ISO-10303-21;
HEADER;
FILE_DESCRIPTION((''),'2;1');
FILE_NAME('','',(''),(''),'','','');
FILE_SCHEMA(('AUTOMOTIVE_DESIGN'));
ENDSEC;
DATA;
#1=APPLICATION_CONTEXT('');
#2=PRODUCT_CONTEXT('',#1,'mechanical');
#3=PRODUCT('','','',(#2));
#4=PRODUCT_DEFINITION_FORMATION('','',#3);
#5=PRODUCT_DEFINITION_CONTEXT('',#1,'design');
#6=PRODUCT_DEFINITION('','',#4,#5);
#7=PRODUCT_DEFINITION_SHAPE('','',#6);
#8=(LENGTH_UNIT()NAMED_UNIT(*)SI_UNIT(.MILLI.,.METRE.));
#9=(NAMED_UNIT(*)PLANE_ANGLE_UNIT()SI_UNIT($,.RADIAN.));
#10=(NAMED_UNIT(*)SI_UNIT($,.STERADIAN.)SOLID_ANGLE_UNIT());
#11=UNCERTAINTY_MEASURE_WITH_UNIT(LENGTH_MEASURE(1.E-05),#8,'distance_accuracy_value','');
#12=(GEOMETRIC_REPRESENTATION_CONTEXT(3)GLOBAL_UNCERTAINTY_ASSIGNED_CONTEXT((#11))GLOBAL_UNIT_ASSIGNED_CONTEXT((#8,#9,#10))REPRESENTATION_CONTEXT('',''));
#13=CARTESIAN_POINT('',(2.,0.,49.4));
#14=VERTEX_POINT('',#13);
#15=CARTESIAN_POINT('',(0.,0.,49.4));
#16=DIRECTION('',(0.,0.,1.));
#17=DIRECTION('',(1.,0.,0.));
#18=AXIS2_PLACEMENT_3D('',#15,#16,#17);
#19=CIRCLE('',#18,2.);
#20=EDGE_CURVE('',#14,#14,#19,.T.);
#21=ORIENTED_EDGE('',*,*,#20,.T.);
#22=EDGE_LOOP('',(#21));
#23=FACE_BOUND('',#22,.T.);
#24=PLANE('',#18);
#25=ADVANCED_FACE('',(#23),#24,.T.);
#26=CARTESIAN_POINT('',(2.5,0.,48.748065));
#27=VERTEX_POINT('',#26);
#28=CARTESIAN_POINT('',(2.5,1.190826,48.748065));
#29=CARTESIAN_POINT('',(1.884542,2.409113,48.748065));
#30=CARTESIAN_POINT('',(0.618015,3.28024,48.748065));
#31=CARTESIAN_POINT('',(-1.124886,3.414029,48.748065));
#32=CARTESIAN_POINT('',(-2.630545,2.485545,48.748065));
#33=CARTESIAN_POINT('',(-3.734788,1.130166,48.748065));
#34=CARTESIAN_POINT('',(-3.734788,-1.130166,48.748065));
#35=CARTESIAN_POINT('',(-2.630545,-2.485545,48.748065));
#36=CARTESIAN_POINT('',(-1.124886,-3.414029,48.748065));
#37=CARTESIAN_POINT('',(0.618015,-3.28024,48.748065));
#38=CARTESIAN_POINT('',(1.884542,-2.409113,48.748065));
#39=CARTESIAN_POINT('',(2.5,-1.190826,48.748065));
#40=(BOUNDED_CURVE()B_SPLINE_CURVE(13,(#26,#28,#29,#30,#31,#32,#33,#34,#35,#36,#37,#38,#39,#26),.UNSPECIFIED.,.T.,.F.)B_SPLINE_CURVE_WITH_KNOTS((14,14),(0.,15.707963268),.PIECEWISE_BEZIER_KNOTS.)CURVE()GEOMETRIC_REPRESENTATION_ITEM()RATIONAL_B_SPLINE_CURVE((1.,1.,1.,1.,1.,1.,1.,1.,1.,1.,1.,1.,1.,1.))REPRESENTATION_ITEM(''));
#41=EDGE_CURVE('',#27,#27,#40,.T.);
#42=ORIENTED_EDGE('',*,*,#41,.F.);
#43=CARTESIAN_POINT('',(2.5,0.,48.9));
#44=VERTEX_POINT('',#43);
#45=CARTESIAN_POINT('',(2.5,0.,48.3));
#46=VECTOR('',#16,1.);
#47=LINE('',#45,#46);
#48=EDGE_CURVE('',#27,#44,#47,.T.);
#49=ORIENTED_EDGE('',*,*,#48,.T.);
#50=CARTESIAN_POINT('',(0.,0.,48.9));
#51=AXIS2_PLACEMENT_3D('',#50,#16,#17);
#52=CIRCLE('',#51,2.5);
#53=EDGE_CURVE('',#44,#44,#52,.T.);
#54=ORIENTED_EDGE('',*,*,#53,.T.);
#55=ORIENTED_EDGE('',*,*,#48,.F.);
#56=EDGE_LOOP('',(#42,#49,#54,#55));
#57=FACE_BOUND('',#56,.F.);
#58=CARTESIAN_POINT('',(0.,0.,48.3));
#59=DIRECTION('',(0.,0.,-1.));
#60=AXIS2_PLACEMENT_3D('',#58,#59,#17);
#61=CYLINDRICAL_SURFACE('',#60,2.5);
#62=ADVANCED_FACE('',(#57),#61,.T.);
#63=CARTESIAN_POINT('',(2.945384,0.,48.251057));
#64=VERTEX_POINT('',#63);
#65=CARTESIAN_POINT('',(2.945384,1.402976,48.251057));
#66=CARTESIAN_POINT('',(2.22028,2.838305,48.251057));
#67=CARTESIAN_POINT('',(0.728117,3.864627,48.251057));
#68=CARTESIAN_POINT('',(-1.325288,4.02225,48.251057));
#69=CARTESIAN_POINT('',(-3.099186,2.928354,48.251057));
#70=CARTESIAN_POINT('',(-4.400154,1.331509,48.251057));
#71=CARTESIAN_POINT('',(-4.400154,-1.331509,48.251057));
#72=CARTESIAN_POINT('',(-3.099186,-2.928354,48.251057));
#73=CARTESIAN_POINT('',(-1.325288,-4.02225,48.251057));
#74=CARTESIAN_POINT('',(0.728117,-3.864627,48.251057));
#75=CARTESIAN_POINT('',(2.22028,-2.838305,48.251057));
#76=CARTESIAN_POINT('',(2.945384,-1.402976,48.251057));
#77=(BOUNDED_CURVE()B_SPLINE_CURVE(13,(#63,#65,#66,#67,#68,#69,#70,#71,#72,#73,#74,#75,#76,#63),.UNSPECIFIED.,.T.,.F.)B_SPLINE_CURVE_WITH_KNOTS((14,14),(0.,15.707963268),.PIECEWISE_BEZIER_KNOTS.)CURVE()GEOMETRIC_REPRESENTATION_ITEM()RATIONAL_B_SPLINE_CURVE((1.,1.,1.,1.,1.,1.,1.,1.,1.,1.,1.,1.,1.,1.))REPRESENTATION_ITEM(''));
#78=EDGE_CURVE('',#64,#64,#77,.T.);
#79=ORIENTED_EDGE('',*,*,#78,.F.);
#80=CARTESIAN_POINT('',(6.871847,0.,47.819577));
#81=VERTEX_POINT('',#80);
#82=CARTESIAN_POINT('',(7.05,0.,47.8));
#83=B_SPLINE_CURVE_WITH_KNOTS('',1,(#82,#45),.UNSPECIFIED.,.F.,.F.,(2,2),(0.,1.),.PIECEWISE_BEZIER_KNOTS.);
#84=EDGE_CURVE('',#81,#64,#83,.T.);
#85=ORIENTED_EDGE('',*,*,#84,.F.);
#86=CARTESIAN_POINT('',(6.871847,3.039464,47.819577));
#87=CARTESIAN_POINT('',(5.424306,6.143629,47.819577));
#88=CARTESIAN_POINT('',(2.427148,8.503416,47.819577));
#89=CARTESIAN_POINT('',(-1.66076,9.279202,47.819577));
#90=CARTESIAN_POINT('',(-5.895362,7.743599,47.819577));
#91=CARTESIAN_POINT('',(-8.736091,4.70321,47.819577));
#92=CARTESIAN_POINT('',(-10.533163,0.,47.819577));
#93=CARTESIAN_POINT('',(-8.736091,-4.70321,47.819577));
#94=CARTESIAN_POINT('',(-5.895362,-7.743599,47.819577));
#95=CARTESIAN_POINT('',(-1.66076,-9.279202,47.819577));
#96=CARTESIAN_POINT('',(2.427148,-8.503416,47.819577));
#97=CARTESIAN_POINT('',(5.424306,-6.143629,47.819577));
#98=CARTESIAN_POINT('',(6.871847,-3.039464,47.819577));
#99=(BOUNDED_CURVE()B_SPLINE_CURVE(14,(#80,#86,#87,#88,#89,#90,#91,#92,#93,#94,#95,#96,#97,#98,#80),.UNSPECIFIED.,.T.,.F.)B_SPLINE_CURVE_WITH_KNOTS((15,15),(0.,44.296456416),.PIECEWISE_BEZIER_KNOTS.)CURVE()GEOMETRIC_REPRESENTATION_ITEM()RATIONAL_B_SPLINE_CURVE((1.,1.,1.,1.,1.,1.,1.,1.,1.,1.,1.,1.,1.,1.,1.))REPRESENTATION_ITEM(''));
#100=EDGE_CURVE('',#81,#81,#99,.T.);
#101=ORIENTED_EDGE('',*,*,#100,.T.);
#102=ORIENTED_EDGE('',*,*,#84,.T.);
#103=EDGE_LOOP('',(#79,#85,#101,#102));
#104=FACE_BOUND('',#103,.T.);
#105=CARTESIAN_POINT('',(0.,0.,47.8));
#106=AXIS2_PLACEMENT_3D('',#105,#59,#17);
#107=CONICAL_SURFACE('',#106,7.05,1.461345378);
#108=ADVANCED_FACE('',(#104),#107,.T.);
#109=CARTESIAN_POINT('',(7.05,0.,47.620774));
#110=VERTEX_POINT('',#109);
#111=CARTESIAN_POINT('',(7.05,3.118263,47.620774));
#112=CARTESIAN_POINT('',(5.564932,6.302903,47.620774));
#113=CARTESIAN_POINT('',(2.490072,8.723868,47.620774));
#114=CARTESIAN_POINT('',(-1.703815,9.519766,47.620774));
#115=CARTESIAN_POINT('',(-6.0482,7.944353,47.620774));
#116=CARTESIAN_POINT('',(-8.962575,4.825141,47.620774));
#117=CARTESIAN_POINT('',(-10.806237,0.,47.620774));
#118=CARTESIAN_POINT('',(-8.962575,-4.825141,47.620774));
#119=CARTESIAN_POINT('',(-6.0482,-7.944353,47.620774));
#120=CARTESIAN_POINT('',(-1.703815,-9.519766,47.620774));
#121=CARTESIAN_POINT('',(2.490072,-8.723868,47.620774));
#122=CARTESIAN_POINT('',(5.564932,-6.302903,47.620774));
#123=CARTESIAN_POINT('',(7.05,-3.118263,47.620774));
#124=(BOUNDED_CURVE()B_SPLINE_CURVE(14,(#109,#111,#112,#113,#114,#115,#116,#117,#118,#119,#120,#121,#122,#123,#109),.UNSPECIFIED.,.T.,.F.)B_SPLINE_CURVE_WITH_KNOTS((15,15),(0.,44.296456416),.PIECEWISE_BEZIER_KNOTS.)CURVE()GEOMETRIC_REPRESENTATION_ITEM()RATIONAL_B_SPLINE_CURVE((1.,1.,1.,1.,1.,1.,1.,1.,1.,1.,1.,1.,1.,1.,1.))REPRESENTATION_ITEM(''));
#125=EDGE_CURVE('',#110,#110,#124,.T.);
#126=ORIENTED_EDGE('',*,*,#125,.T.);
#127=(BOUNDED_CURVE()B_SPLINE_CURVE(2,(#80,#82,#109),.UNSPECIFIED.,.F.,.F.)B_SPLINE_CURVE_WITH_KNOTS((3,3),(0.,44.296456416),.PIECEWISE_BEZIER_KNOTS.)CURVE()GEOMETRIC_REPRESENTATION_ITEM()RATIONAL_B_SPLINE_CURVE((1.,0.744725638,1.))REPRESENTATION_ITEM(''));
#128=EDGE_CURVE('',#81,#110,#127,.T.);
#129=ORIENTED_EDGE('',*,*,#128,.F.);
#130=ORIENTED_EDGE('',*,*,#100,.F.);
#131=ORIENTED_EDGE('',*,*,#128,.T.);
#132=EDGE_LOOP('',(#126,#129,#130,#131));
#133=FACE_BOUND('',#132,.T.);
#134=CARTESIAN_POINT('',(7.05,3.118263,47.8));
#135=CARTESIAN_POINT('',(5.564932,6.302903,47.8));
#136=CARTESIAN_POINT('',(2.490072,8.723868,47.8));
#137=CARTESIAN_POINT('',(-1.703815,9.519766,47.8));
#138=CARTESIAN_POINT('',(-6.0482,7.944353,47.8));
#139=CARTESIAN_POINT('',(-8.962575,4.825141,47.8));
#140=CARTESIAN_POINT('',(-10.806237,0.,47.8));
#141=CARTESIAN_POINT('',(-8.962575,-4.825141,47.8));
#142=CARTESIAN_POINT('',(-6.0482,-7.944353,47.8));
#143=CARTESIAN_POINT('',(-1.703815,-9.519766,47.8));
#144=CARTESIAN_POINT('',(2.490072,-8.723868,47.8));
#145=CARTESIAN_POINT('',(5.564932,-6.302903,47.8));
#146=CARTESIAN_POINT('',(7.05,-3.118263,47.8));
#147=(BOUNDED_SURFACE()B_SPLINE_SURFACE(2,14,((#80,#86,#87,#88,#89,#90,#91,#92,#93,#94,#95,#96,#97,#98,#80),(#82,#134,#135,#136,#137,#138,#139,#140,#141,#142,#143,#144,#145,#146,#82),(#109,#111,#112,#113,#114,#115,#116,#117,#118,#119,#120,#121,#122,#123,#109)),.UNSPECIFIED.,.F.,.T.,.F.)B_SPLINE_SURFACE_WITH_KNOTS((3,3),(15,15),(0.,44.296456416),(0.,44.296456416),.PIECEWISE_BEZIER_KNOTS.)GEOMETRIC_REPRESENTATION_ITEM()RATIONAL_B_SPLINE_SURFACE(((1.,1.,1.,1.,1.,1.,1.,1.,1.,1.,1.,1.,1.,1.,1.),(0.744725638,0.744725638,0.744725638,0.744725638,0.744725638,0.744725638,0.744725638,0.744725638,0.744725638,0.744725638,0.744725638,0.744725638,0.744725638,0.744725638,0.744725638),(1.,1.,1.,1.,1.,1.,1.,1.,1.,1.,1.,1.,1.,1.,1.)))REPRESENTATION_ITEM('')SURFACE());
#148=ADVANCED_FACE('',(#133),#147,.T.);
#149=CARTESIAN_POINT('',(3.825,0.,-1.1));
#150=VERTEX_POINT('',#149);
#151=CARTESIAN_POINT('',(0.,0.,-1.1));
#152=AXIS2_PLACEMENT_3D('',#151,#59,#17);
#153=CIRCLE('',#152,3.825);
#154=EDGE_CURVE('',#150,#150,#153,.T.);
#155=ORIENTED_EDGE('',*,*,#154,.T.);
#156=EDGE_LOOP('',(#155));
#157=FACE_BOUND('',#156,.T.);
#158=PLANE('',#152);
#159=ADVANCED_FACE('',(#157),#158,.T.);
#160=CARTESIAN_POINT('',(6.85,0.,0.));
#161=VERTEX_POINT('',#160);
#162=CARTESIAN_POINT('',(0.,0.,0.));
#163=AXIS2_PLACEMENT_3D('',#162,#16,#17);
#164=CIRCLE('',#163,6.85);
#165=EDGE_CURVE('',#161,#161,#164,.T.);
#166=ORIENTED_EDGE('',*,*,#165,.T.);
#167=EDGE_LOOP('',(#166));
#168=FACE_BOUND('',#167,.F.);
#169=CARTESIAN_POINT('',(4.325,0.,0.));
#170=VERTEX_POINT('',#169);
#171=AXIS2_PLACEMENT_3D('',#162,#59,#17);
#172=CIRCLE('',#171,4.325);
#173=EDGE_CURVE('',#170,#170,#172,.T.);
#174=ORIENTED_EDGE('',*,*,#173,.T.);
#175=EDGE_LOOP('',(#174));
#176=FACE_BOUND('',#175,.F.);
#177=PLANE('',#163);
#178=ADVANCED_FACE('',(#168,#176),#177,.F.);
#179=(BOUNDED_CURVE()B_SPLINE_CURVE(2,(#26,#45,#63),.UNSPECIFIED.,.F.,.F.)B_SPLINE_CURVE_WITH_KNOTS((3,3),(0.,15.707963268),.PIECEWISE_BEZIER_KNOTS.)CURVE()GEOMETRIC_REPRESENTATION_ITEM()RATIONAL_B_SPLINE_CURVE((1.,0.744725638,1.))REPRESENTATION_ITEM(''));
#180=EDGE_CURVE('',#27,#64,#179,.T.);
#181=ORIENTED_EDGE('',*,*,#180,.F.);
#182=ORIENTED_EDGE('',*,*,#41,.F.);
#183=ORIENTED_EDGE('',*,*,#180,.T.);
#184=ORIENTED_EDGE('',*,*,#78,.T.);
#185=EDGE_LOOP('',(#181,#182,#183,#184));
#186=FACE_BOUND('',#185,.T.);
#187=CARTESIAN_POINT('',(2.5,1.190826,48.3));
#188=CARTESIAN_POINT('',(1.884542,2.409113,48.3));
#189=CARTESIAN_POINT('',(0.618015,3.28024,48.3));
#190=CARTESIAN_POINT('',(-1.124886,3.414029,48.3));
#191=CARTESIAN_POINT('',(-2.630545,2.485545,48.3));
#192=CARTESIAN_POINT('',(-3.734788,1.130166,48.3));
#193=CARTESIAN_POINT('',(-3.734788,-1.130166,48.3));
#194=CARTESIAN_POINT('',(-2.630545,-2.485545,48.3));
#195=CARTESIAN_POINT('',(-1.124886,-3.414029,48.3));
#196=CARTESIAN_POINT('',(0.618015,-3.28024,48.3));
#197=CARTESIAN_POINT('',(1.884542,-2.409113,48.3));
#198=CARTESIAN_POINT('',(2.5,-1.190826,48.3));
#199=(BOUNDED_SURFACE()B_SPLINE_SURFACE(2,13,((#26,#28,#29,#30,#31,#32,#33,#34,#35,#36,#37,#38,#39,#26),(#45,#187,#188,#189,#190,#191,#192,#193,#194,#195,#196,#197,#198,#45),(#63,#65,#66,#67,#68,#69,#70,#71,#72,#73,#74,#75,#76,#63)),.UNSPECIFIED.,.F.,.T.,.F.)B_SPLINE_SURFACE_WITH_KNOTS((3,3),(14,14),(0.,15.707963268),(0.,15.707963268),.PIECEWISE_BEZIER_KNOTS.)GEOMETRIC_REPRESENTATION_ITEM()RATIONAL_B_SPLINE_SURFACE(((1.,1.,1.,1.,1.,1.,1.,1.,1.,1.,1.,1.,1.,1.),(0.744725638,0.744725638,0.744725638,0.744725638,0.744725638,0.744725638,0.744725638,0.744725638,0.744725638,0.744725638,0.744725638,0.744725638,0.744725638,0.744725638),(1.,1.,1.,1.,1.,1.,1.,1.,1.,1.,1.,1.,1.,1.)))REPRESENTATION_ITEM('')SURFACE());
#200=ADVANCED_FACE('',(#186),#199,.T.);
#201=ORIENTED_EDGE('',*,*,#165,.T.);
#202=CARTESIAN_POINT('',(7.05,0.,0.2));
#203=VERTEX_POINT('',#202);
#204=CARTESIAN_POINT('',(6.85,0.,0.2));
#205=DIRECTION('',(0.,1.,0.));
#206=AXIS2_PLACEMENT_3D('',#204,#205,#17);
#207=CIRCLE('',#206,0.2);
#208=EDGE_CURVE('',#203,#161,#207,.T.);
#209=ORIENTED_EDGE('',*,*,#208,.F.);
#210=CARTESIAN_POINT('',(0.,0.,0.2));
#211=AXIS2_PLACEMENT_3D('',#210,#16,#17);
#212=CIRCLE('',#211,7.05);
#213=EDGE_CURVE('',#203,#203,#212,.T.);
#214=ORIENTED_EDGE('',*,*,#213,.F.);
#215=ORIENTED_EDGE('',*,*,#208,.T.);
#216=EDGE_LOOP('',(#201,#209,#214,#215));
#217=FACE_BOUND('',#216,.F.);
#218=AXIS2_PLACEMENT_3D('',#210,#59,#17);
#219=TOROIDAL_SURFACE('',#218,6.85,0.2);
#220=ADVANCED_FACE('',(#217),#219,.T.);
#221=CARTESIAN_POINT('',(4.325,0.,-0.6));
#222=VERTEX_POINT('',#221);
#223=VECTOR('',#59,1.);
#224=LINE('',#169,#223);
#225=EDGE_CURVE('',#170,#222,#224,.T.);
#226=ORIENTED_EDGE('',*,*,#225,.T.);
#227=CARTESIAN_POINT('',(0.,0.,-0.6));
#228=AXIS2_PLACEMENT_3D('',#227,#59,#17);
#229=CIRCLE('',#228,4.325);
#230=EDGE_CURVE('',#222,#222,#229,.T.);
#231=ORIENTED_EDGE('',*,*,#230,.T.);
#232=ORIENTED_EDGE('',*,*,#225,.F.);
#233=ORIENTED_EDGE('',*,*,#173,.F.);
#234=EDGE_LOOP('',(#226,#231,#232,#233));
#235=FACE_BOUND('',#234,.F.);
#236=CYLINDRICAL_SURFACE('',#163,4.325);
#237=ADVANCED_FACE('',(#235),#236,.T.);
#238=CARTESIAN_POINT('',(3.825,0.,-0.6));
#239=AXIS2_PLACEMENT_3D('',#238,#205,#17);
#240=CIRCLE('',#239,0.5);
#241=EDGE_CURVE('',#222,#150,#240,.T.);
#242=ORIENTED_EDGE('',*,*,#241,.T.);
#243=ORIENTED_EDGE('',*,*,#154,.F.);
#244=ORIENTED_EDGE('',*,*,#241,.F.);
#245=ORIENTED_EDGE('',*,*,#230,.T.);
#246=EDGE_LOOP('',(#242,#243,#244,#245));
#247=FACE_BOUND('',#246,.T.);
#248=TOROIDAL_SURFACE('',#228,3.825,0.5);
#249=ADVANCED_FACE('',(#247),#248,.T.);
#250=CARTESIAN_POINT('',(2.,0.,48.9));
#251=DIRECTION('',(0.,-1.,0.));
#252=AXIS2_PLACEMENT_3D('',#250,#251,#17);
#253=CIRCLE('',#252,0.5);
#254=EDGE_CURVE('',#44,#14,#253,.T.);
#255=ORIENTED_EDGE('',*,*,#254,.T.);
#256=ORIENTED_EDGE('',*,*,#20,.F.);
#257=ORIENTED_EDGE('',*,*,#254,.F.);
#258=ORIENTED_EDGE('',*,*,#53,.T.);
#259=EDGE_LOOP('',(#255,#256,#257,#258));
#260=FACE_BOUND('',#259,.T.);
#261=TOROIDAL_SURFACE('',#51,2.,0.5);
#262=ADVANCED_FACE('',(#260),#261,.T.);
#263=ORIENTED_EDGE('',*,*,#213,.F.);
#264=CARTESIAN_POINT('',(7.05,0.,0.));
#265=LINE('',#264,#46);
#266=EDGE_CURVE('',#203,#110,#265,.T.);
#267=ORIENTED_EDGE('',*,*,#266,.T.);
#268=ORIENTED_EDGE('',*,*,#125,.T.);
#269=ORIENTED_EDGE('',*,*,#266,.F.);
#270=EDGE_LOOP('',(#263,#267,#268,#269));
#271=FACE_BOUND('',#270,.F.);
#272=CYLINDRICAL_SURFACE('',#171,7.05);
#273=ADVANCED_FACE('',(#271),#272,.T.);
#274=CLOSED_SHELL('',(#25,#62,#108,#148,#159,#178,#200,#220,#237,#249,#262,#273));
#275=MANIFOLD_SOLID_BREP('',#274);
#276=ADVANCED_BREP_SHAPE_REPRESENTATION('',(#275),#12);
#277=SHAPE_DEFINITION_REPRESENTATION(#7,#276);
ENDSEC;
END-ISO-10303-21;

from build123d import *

# Parameters (mm, degrees)
F0_R     = 7.05
F1_DEPTH = 47.8
F2_R     = 4.325
F3_DEPTH = 1.1
F4_R     = 2.5
F5_DEPTH = 0.5
F6_R     = 7.05
F7_R     = 2.5
F9_DEPTH = 1.1
F10_R    = 0.5
F11_R    = 0.5
F12_R    = 0.5
F13_R    = 0.2
F14_R    = 0.2


with BuildPart() as f1:
    # F0 (on Top) → F1 (new body)
    with BuildSketch(Plane.XY):
        Circle(F0_R)
    extrude(amount=F1_DEPTH)

    # F2 (on face) → F3 (join)
    with BuildSketch(Plane(origin=(0, 0, 0), x_dir=(1, 0, 0), z_dir=(0, 0, -1))):
        Circle(F2_R)
    extrude(amount=F3_DEPTH)

    # F4 (on face) → F5 (join)
    with BuildSketch(Plane.XY.offset(47.8)):
        Circle(F4_R)
    extrude(amount=F5_DEPTH)

    # F6 (on face) → F8 section 0
    with BuildSketch(Plane.XY.offset(47.8)):
        Circle(F6_R)
    # F7 (on face) → F8 section 1
    with BuildSketch(Plane.XY.offset(48.3)):
        Circle(F7_R)
    loft()

    # F7 (on face) → F9 (join)
    with BuildSketch(Plane.XY.offset(48.3)):
        Circle(F7_R)
    extrude(amount=F9_DEPTH)

    # F10
    f10_edges = [f1.edges().sort_by_distance(p)[0] for p in [
        (-4.325, 0, -1.1),
    ]]
    fillet(f10_edges, radius=F10_R)

    # F11
    f11_edges = [f1.edges().sort_by_distance(p)[0] for p in [
        (-2.5, 0, 49.4),
    ]]
    fillet(f11_edges, radius=F11_R)

    # F12
    f12_edges = [f1.edges().sort_by_distance(p)[0] for p in [
        (-2.5, 0, 48.3),
    ]]
    fillet(f12_edges, radius=F12_R)

    # F13
    f13_edges = [f1.edges().sort_by_distance(p)[0] for p in [
        (-7.05, 0, 47.8),
    ]]
    fillet(f13_edges, radius=F13_R)

    # F14
    f14_edges = [f1.edges().sort_by_distance(p)[0] for p in [
        (-7.05, 0, 0),
    ]]
    fillet(f14_edges, radius=F14_R)


solid = f1.part
